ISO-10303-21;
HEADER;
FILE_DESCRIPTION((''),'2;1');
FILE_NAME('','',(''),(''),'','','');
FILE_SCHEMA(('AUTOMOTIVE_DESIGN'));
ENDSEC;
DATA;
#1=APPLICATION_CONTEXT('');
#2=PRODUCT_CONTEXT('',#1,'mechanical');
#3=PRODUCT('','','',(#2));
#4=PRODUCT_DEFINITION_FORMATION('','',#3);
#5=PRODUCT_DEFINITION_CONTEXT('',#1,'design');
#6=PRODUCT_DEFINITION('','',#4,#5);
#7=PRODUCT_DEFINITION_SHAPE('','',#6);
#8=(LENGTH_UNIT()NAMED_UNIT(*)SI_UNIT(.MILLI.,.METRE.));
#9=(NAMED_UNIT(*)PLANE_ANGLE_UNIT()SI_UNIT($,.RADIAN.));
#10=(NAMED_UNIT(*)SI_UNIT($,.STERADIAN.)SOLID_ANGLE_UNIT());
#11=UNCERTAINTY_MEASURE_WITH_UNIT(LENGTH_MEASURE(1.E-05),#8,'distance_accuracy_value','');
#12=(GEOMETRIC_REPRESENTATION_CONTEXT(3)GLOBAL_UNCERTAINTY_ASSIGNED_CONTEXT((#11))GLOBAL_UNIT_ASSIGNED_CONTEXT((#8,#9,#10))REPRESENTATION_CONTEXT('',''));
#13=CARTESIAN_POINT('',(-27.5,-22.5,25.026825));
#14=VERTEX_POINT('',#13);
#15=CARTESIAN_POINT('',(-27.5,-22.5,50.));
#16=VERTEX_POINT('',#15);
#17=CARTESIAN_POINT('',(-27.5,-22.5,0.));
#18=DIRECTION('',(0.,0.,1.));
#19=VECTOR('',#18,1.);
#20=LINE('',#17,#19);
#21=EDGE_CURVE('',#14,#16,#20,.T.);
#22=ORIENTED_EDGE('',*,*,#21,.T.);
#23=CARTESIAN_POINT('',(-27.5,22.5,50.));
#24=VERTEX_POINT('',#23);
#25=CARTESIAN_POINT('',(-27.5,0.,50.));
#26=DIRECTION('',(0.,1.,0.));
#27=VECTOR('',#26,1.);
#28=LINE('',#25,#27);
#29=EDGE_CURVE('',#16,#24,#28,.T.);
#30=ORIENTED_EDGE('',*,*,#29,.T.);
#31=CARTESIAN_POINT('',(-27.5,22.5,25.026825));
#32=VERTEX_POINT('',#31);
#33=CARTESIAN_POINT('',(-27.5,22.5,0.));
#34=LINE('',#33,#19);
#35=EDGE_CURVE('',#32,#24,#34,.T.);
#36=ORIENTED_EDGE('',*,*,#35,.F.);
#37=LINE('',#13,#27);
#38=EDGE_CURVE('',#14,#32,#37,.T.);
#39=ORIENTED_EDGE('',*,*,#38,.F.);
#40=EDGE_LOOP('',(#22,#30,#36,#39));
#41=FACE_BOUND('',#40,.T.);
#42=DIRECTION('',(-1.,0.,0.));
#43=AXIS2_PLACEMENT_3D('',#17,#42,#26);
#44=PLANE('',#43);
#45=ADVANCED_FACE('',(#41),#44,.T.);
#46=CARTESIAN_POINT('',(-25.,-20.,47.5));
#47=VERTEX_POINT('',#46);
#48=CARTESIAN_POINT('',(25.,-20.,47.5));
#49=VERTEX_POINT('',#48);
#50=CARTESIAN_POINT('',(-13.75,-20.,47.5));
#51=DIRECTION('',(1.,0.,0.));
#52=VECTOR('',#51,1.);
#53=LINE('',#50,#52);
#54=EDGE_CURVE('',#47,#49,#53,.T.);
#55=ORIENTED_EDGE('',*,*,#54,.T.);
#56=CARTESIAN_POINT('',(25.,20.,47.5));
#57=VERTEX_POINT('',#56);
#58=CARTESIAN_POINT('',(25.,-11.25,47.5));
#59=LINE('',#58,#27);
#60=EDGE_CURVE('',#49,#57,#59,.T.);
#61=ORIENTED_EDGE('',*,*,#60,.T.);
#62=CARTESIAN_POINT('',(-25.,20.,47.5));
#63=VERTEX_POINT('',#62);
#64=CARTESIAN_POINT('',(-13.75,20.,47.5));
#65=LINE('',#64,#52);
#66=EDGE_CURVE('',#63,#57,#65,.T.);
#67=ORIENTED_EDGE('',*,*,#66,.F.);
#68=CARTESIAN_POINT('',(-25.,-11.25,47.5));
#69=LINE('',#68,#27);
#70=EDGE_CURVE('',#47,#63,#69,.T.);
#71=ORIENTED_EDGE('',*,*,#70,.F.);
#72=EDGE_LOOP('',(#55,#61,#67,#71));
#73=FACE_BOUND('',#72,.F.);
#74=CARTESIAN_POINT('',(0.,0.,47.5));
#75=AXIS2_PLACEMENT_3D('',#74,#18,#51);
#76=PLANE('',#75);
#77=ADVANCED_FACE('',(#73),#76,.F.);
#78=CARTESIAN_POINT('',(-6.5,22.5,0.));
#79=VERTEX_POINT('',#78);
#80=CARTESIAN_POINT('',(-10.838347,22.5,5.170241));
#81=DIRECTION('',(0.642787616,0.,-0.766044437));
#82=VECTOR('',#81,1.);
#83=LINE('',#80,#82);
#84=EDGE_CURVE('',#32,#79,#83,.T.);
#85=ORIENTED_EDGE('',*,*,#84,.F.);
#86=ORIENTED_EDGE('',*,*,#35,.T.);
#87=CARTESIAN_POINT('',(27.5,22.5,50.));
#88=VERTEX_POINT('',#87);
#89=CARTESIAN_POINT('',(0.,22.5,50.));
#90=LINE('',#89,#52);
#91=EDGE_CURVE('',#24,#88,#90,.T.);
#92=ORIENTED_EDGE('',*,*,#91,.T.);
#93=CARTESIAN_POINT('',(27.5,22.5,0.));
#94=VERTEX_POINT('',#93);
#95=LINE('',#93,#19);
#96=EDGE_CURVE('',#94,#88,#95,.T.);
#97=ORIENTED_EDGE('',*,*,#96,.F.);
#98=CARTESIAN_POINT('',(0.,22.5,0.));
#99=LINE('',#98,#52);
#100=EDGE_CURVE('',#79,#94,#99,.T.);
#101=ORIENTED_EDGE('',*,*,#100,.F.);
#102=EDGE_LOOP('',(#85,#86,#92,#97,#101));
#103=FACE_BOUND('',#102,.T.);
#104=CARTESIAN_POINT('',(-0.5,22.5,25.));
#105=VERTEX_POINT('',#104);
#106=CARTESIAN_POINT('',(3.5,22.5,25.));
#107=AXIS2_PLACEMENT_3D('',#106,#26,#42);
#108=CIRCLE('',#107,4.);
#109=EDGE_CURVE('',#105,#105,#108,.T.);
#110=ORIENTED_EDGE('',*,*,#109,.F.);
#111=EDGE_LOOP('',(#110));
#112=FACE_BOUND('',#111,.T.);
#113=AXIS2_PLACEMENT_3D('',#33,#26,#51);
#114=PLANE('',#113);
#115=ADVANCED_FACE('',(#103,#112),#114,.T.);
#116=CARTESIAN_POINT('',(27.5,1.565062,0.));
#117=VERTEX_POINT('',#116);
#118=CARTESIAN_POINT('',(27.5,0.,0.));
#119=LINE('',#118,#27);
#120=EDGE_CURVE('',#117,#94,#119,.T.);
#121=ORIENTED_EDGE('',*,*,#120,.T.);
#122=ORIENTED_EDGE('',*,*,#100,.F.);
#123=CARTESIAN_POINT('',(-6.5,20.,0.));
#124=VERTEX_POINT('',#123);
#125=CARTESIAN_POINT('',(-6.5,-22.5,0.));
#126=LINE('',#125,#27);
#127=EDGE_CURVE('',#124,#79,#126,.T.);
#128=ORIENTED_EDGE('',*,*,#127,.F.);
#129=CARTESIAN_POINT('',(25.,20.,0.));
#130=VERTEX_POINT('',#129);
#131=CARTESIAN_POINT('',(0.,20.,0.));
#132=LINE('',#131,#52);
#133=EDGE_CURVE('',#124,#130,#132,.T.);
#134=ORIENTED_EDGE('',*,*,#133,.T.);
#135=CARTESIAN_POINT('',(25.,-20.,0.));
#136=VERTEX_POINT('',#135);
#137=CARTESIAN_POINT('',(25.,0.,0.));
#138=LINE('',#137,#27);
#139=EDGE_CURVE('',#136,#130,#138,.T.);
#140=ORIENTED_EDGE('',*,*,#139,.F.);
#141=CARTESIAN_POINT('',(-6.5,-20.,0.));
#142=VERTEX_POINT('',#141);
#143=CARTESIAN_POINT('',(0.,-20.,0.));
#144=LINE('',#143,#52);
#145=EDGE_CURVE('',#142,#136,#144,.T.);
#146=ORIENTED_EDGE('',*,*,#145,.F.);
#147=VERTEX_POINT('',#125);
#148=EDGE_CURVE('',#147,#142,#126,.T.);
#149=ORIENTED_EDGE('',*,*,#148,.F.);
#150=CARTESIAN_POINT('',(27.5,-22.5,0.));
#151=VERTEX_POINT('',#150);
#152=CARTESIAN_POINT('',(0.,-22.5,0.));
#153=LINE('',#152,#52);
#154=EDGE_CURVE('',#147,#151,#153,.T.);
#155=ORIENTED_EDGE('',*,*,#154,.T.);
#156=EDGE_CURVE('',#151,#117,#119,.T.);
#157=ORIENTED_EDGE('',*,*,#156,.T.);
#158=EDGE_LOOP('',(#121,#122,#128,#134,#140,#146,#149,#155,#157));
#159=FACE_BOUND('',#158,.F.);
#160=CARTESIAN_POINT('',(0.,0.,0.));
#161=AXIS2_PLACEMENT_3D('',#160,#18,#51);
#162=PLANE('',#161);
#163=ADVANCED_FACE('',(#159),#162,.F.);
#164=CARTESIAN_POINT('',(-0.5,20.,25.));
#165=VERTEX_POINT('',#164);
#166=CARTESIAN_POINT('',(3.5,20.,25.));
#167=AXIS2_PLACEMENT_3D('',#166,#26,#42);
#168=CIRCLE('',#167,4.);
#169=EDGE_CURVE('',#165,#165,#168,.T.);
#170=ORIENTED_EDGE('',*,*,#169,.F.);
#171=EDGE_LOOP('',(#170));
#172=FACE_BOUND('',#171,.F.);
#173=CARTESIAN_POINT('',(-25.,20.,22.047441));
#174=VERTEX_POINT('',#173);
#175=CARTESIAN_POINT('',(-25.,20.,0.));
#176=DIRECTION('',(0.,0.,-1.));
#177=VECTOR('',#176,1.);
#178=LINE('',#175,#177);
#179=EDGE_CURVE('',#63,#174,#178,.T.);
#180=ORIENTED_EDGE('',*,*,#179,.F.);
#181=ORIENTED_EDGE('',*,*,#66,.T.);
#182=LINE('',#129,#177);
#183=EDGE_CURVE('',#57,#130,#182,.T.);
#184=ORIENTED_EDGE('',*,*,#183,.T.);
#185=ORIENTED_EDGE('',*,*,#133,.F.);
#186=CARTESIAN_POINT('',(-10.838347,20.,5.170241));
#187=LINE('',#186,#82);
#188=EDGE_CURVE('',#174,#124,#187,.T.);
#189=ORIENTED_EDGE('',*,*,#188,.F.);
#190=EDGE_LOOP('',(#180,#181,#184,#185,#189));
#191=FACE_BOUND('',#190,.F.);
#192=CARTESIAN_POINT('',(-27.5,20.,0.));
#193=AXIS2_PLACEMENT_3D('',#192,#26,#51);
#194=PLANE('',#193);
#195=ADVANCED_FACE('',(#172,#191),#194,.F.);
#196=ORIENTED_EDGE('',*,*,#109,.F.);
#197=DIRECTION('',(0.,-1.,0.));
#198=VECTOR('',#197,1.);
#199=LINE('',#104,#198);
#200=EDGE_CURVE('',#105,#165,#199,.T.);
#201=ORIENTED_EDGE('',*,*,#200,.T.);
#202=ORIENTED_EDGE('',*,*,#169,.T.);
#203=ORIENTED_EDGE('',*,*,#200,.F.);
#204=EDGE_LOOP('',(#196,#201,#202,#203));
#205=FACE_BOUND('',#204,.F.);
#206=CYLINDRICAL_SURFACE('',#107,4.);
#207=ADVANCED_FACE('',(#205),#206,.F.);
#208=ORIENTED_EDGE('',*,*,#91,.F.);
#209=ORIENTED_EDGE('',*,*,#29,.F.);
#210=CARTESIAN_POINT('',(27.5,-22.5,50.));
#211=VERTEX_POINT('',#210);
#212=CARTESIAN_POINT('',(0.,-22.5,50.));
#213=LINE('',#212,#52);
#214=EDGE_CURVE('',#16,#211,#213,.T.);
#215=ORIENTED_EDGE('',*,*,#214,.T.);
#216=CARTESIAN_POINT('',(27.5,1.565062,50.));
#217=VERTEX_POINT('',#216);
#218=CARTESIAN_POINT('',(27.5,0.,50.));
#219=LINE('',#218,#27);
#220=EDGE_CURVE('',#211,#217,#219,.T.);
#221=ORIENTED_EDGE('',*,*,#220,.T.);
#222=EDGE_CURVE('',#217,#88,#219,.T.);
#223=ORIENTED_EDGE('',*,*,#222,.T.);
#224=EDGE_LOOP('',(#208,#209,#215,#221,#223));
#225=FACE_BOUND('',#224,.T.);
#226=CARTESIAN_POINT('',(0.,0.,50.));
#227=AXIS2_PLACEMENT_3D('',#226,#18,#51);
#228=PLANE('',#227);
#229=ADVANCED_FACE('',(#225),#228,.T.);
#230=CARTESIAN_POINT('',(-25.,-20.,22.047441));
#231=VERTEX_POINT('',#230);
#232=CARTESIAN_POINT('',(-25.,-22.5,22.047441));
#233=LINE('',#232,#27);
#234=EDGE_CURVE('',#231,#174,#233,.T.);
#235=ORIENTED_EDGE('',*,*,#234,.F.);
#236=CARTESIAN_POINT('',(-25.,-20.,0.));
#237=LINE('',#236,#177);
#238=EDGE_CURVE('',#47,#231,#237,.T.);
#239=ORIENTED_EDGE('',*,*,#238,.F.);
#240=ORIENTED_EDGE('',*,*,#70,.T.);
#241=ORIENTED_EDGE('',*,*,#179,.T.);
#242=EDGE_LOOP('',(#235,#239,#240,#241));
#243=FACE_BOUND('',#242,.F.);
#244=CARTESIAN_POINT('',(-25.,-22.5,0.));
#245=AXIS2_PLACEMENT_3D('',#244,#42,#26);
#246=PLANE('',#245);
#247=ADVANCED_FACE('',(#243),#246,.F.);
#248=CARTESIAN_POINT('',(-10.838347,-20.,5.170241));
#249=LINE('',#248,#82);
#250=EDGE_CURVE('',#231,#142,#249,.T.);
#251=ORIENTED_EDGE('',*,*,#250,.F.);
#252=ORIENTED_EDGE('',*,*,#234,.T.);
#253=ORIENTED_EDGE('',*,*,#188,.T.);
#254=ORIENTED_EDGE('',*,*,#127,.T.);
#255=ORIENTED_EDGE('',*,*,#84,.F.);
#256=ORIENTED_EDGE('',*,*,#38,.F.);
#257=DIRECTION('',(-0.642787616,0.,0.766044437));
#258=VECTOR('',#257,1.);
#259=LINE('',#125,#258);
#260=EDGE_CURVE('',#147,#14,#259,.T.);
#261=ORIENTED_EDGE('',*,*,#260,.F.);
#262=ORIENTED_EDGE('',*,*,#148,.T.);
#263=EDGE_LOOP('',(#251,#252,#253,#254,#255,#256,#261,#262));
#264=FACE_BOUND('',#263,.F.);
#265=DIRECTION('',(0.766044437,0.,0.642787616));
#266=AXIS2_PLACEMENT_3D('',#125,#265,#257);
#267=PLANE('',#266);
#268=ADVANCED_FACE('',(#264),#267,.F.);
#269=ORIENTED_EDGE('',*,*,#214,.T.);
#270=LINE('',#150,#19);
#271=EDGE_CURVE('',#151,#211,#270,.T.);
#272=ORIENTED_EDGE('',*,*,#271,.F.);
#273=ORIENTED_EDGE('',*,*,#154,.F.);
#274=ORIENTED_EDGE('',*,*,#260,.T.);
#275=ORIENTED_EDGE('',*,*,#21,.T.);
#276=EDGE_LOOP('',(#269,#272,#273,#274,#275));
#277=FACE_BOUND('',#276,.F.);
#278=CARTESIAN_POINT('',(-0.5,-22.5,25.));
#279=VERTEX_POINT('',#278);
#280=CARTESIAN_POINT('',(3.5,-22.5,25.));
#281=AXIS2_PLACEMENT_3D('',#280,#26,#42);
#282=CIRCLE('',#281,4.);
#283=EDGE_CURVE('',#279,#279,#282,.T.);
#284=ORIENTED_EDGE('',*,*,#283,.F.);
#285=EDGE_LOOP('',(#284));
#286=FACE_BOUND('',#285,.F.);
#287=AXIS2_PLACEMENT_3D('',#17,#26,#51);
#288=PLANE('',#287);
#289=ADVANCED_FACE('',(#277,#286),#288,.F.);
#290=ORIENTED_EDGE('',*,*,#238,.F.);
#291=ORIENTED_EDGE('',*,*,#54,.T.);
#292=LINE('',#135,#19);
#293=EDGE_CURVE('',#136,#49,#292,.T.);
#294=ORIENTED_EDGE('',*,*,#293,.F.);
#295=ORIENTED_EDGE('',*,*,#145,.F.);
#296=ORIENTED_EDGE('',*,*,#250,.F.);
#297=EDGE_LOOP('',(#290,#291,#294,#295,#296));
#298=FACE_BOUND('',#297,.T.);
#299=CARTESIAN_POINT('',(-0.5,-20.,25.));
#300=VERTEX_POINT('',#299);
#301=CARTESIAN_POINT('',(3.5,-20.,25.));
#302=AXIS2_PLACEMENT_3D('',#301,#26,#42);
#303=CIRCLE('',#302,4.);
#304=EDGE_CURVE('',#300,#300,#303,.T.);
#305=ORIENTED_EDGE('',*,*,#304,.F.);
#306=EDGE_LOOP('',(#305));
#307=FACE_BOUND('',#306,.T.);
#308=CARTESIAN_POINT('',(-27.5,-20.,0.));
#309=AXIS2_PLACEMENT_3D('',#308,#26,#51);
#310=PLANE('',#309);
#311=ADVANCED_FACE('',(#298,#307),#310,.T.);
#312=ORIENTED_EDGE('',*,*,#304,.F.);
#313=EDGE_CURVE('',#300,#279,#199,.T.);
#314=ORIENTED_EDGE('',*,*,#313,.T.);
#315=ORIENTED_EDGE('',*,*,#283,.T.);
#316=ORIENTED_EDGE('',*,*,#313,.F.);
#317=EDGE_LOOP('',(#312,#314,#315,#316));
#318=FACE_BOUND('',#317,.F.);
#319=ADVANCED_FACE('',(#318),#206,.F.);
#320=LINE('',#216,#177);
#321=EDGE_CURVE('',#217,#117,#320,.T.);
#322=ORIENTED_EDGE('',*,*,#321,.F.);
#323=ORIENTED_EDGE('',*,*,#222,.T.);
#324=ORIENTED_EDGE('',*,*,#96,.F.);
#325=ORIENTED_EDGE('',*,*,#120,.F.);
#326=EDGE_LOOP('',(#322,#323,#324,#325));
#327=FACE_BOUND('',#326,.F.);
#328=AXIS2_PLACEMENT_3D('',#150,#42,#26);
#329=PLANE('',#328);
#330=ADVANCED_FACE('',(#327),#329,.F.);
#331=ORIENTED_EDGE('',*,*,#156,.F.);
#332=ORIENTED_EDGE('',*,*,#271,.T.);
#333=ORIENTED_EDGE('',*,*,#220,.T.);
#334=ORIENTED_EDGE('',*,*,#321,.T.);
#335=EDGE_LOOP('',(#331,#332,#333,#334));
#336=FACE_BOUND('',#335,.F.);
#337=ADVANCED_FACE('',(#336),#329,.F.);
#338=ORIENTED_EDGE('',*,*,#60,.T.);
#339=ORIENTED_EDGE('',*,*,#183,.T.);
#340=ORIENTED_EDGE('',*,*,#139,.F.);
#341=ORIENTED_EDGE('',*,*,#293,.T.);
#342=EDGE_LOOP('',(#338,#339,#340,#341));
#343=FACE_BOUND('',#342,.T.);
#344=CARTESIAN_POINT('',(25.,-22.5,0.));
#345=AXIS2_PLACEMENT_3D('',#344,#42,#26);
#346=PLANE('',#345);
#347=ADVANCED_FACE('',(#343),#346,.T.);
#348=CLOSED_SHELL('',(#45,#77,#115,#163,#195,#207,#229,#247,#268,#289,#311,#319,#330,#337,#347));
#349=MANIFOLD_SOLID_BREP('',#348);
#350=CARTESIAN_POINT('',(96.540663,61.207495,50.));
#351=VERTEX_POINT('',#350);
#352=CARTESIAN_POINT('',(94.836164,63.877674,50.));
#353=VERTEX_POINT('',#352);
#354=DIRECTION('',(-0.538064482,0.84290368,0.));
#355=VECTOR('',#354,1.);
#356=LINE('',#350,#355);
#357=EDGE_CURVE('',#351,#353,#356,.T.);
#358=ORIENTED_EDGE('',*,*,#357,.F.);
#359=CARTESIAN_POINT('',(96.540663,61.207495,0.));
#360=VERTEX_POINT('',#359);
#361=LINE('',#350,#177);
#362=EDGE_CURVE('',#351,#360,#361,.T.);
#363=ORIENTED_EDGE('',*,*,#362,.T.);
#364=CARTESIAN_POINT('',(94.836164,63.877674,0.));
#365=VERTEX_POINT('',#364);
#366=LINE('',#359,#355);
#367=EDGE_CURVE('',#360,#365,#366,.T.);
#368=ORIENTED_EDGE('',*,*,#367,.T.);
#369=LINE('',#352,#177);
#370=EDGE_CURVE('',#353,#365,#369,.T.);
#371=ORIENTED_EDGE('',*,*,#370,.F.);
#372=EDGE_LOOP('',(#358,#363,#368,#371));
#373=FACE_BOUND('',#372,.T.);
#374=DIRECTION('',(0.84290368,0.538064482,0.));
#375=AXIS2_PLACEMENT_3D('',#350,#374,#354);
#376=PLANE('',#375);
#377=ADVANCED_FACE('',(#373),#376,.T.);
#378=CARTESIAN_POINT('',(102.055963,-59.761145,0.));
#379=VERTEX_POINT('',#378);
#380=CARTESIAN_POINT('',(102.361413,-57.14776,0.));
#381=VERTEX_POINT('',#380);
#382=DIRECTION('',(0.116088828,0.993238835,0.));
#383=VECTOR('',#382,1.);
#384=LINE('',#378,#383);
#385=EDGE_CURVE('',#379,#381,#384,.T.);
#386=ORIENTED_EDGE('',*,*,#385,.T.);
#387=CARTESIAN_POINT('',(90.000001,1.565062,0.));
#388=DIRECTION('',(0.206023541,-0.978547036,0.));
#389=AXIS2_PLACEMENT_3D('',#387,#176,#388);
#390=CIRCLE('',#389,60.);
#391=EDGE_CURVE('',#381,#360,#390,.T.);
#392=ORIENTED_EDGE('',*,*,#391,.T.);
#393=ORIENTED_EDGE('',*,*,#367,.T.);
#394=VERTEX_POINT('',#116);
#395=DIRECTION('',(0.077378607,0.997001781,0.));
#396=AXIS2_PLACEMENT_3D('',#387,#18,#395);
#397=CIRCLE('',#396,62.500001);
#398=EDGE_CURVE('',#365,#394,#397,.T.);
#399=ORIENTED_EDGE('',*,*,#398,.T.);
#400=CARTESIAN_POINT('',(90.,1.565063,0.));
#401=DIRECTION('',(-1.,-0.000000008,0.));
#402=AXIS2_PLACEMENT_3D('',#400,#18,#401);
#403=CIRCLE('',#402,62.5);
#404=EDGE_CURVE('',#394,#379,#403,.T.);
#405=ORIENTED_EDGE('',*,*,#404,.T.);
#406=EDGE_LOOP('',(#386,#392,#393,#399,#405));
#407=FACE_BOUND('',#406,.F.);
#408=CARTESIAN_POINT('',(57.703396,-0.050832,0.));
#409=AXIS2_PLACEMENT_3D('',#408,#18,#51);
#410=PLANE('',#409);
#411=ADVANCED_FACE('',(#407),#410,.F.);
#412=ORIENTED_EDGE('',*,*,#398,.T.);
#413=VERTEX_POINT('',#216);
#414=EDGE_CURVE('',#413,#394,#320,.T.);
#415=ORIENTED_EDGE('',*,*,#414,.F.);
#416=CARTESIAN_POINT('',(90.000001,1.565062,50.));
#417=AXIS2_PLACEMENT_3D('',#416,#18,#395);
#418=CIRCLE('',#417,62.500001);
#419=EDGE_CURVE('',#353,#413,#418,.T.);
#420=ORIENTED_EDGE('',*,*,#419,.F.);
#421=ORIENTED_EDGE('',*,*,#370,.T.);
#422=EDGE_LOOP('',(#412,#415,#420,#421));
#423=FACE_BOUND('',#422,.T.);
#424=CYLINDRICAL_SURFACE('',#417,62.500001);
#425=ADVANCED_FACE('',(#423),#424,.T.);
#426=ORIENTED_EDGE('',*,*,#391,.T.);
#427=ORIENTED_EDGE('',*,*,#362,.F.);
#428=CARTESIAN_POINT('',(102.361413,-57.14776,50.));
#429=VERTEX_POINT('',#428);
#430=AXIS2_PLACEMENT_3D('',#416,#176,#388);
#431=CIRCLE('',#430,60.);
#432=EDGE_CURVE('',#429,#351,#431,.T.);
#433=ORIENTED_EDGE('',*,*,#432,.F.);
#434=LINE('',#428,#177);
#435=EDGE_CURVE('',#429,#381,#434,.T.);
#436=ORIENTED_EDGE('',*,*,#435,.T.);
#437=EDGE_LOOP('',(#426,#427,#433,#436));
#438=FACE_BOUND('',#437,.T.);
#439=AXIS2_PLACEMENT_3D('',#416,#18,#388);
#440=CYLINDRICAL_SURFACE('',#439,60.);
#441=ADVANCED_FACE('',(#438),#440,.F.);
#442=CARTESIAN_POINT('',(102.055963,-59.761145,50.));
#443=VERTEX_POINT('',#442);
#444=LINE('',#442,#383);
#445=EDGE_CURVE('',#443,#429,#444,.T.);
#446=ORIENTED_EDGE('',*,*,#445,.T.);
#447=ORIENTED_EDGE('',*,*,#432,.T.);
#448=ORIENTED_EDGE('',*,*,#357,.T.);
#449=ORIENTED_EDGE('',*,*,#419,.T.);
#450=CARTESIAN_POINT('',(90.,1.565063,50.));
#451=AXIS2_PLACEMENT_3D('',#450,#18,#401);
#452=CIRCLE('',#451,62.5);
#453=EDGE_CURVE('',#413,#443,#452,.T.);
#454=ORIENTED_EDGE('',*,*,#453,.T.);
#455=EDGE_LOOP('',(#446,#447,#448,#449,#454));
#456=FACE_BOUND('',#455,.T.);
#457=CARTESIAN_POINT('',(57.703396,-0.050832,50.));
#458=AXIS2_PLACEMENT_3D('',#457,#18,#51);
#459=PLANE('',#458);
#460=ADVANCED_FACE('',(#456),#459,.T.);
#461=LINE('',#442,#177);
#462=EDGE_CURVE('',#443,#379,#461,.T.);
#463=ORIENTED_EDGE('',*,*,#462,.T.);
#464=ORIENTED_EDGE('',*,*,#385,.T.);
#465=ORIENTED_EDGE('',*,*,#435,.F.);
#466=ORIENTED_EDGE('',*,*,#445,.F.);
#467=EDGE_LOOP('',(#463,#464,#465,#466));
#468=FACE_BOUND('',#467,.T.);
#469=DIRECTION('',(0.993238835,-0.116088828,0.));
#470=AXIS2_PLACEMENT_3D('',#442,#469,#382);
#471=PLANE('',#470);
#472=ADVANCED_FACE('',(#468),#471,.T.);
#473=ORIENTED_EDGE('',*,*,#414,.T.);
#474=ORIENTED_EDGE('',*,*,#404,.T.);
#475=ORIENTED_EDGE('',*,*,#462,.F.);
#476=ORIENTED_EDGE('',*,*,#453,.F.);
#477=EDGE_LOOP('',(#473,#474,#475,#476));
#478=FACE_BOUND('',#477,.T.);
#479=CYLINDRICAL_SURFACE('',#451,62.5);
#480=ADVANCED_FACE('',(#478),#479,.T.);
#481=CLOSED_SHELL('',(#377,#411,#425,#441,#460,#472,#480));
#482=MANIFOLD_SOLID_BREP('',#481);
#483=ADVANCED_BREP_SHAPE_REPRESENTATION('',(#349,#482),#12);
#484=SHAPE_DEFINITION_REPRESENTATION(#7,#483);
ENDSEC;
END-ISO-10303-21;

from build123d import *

# Parameters (mm, degrees)
F0_W     = 55
F0_H     = 45
F1_DEPTH = 50
F2_T     = -2.5
F3_R     = 4
F4_DEPTH = 45.001
F6_DEPTH = 50
F8_DEPTH = 86.566062


with BuildPart() as f1:
    # F0 (on Top) → F1 (new body)
    with BuildSketch(Plane.XY):
        Rectangle(F0_W, F0_H)
    extrude(amount=F1_DEPTH)

    # F2
    f2_openings = [f1.faces().sort_by_distance(p)[0] for p in [
        (0, 0, 0),
    ]]
    offset(amount=F2_T, openings=f2_openings)

    # F3 (on face) → F4 (cut, through all)
    with BuildSketch(Plane(origin=(0, 22.5, 0), x_dir=(-1, 0, 0), z_dir=(0, 1, 0))):
        with Locations((-3.5, 25)):
            Circle(F3_R)
    extrude(amount=-F4_DEPTH, mode=Mode.SUBTRACT)

    # F5 (on face) → F6 (join)
    with BuildSketch(Plane.XY.offset(50)):
        with BuildLine():
            ThreePointArc((102.361413, -57.14776), (30.07243, -1.382195), (96.540663, 61.207495))
            Line((96.540663, 61.207495), (94.836164, 63.877674))
            ThreePointArc((94.836164, 63.877674), (47.55009, 47.437223), (27.5, 1.565062))
            ThreePointArc((27.5, 1.565062), (50.296396, -46.703704), (102.055963, -59.761145))
            Line((102.055963, -59.761145), (102.361413, -57.14776))
        make_face()
    extrude(amount=-F6_DEPTH)

    # F7 (on face) → F8 (cut, through all)
    with BuildSketch(Plane.XZ.offset(22.5)):
        Polygon((-6.5, 0), (-27.5, 25.026825), (-27.5, 0), align=None)
    extrude(amount=-F8_DEPTH, mode=Mode.SUBTRACT)


solid = f1.part
